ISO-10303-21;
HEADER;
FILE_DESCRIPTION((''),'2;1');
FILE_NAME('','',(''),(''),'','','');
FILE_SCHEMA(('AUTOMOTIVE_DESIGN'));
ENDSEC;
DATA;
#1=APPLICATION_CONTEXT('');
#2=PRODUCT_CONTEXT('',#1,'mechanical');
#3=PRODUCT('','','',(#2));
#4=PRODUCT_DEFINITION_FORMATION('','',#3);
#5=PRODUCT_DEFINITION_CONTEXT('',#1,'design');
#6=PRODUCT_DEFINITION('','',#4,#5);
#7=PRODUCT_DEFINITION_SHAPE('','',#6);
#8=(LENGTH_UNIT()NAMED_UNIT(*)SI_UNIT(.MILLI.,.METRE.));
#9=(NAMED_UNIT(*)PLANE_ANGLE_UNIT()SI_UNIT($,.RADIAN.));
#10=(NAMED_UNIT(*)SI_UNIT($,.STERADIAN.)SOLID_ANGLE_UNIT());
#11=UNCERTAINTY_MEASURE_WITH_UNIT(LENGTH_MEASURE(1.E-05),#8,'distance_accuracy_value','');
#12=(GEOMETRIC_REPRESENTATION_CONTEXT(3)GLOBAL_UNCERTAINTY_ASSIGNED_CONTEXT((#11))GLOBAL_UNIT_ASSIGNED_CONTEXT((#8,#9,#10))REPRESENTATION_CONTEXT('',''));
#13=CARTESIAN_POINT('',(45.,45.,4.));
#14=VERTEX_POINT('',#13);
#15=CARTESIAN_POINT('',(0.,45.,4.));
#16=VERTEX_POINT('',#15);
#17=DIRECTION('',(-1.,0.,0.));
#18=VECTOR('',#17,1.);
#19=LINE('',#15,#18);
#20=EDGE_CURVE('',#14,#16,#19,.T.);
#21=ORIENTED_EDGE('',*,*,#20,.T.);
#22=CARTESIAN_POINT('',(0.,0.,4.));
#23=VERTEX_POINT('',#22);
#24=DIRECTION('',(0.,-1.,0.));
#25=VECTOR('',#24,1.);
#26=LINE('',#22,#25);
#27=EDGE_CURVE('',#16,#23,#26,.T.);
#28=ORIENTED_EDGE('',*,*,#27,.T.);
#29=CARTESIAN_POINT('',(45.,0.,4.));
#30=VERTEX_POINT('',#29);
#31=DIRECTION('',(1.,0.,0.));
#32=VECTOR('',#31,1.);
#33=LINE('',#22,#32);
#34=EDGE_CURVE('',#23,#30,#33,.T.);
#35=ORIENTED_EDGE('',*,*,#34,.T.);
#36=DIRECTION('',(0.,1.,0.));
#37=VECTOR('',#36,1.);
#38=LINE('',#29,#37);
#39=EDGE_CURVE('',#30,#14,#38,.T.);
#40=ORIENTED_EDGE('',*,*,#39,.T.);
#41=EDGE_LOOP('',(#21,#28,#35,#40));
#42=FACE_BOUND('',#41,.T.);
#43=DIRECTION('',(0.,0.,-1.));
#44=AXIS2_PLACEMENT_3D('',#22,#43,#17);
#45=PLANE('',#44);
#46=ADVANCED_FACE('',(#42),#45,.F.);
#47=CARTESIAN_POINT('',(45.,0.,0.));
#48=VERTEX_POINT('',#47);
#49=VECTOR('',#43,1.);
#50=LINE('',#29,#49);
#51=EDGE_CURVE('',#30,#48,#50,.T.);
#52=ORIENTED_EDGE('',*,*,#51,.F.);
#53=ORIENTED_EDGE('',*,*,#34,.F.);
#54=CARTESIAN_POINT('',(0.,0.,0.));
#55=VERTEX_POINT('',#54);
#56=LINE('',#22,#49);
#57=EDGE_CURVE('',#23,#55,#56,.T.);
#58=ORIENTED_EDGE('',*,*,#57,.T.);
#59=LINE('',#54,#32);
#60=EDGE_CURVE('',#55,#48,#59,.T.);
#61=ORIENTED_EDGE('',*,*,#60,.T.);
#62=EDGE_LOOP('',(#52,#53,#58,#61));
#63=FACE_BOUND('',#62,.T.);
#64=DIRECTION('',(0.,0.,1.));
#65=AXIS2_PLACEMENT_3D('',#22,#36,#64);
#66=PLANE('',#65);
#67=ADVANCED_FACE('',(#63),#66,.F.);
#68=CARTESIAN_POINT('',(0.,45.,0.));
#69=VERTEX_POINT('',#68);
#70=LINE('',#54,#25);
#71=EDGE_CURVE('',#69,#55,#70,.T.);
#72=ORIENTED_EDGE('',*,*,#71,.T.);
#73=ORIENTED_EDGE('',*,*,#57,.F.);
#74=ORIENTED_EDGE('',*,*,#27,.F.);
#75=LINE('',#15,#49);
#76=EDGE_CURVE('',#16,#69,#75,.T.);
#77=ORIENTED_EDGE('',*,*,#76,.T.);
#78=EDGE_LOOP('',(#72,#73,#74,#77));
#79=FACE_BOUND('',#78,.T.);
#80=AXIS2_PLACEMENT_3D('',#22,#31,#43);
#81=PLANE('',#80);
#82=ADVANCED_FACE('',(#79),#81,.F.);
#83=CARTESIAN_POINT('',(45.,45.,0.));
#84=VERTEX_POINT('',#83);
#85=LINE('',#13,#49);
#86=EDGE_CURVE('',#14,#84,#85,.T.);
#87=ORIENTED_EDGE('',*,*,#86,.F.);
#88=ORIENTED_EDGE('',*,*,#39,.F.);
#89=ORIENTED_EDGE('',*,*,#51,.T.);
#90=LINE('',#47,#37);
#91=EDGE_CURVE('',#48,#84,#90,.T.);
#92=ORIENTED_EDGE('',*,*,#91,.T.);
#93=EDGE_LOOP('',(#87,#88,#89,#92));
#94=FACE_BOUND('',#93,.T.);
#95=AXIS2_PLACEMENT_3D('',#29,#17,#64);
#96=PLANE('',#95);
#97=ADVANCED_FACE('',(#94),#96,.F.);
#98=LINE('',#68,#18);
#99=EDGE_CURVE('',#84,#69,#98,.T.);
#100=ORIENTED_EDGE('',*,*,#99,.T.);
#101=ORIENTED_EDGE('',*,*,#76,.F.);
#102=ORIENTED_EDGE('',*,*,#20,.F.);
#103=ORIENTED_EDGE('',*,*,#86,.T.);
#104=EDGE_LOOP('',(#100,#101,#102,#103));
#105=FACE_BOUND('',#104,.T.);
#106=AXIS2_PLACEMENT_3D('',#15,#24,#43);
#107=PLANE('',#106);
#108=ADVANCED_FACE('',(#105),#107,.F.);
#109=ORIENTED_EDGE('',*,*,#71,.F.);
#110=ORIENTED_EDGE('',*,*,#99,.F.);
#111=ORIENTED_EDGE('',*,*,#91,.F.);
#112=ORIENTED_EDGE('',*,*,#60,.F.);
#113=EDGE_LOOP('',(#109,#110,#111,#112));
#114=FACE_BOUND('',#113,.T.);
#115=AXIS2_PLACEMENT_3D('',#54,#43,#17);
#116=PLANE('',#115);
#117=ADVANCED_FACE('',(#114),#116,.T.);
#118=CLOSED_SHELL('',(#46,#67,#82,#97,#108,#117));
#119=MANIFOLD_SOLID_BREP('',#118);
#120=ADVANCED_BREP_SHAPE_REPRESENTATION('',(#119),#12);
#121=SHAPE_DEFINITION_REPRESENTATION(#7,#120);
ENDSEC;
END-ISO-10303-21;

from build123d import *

# Parameters (mm, degrees)
SKETCH1_W           = 45
SKETCH1_H           = 45
BOSS_EXTRUDE1_DEPTH = 4


with BuildPart() as part:
    # Sketch1 → Boss-Extrude1 (new body)
    with BuildSketch(Plane.XY):
        with Locations((22.5, 22.5)):
            Rectangle(SKETCH1_W, SKETCH1_H)
    extrude(amount=BOSS_EXTRUDE1_DEPTH)


solid = part.part
